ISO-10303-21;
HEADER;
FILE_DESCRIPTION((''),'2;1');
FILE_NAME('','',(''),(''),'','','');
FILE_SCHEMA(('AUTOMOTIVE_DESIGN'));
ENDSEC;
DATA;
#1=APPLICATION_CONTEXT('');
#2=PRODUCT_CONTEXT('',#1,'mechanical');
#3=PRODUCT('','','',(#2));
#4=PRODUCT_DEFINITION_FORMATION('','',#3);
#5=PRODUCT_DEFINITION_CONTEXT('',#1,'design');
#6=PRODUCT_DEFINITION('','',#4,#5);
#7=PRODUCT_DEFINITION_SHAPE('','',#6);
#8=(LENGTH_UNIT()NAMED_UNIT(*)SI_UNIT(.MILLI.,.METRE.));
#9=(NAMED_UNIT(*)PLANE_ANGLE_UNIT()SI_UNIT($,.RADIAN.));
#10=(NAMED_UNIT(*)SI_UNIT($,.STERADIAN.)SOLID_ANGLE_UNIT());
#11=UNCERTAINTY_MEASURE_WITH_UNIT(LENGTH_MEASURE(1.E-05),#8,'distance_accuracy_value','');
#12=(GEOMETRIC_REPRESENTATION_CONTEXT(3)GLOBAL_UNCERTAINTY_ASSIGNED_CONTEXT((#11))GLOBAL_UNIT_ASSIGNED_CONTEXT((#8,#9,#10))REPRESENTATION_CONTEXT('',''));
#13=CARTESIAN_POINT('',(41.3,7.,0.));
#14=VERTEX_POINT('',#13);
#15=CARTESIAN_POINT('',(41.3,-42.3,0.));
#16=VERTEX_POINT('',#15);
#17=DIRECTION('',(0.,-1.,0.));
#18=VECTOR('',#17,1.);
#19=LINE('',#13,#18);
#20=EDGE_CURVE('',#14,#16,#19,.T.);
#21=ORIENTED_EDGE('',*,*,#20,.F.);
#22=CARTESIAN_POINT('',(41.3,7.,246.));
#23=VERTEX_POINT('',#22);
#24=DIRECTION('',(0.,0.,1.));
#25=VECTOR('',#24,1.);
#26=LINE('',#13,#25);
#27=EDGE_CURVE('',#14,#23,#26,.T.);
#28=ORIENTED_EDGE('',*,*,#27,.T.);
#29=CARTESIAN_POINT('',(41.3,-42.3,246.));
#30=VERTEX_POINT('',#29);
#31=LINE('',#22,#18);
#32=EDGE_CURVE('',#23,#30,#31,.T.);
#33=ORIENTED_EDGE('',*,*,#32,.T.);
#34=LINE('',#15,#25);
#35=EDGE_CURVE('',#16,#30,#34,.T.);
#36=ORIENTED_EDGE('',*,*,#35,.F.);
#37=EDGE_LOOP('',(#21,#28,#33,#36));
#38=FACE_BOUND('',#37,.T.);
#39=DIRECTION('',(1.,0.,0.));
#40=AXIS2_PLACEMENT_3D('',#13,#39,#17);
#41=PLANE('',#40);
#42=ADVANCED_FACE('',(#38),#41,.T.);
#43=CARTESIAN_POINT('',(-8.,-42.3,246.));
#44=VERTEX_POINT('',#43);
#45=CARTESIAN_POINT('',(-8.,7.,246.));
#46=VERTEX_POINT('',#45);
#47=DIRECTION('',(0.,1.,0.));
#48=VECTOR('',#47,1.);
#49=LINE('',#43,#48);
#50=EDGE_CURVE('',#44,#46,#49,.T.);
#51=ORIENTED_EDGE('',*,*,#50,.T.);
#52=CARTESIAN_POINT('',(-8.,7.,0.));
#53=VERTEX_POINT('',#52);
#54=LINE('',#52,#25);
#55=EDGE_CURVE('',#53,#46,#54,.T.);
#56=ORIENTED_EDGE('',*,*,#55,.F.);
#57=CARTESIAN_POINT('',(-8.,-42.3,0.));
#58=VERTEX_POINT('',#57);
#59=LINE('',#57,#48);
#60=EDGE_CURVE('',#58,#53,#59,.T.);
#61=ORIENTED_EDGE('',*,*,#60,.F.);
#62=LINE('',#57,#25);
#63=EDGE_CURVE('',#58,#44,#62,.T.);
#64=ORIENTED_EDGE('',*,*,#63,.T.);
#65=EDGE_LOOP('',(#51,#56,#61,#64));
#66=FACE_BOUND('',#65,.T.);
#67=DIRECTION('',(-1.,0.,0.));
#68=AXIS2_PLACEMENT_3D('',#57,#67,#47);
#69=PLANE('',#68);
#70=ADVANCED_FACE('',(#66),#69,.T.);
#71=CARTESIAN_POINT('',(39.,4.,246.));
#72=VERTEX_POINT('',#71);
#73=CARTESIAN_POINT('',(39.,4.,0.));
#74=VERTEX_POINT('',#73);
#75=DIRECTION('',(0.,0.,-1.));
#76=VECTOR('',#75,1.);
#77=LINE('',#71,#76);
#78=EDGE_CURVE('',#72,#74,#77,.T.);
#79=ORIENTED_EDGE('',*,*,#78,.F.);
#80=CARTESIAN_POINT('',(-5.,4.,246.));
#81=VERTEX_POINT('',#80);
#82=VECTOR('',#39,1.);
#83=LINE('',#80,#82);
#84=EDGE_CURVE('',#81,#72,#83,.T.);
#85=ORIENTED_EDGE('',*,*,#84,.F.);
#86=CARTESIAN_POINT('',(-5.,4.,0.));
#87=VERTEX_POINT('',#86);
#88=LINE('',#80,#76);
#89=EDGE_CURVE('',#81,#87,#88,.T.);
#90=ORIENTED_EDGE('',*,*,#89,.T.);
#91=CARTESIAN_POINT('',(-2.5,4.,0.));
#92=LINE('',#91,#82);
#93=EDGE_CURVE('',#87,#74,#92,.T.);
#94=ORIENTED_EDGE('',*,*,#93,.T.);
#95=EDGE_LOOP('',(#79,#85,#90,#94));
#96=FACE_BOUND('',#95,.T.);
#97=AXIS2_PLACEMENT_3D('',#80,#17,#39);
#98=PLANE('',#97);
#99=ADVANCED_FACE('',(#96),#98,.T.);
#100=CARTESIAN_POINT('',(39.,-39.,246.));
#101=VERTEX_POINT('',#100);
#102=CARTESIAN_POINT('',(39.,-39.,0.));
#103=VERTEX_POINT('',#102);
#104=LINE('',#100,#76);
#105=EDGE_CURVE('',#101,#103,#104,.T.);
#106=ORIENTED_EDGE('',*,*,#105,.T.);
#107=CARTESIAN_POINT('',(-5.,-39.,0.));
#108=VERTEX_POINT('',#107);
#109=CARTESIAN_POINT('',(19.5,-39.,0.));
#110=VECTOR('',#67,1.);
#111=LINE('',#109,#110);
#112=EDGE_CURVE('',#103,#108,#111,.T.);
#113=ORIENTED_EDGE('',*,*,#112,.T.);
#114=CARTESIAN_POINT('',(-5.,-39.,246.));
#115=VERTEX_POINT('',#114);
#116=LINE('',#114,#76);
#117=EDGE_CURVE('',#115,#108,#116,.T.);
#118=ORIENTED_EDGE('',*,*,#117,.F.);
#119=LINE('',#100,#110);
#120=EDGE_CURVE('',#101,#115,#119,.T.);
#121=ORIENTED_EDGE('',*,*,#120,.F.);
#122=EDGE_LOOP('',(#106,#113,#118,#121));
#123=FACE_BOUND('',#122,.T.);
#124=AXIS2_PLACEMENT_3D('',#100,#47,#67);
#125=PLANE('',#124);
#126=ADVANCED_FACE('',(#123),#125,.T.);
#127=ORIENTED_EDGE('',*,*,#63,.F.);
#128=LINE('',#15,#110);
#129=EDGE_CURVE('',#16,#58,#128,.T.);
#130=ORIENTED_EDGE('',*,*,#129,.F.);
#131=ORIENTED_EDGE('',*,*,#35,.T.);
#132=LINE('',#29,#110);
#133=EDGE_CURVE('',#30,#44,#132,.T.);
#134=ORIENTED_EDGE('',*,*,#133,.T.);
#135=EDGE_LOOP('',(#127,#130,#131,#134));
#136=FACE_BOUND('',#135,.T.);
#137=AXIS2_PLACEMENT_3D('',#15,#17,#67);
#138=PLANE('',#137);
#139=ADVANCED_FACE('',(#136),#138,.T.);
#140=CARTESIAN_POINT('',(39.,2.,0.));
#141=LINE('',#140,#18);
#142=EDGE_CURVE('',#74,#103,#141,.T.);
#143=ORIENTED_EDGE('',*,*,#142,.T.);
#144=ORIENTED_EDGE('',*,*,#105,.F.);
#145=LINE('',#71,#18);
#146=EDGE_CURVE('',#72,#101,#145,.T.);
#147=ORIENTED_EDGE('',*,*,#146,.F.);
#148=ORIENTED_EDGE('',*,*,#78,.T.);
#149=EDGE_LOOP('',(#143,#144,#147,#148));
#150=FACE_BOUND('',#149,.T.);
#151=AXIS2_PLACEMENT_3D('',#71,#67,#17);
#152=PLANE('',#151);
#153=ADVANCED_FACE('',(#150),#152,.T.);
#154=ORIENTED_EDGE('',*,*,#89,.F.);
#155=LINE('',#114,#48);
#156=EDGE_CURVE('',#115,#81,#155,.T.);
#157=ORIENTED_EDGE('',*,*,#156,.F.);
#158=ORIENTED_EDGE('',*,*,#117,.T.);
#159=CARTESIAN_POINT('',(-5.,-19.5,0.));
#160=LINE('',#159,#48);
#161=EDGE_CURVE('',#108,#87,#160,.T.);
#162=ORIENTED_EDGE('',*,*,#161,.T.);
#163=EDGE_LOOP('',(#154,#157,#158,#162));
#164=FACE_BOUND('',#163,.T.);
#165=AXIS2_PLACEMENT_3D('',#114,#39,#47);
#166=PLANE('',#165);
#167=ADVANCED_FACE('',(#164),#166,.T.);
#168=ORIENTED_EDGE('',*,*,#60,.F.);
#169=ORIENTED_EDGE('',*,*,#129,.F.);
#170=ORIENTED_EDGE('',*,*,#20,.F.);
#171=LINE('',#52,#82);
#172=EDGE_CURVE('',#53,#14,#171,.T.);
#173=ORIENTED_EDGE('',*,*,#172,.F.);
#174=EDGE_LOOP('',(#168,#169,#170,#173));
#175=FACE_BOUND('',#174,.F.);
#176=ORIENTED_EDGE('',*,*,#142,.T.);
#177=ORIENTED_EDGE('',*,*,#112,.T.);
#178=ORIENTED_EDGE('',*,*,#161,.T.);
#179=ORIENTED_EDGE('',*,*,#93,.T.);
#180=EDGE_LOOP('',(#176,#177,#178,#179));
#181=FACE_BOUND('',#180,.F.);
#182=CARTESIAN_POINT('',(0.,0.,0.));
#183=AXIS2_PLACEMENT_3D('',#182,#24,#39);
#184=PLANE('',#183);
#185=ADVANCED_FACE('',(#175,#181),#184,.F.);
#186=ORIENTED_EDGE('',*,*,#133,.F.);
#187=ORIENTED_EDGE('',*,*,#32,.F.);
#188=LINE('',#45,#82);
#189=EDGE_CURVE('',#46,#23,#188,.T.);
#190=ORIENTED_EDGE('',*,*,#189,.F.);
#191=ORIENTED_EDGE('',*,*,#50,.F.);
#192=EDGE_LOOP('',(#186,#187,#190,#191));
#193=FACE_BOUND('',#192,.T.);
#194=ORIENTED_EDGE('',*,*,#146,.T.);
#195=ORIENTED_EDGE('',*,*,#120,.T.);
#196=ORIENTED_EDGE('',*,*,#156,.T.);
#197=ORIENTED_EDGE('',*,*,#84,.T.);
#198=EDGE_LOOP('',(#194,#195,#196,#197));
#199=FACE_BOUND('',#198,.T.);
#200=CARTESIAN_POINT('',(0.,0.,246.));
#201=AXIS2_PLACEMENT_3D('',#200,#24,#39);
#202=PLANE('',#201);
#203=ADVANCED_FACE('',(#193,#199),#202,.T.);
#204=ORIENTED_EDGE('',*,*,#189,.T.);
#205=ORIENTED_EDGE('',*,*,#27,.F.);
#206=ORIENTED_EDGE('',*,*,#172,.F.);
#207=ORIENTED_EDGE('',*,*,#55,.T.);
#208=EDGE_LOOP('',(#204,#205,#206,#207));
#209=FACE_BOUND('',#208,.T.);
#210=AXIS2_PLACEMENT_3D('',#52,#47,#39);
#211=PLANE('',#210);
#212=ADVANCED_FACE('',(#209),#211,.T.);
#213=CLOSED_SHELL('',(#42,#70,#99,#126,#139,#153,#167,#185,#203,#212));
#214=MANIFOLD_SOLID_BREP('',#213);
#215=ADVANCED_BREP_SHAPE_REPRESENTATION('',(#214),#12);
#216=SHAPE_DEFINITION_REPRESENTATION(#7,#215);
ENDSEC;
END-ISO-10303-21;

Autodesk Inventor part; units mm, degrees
ref_plane "YZ Plane" through (0, 0, 0) normal (1, 0, 0) x (0, 1, 0)
ref_plane "XZ Plane" through (0, 0, 0) normal (0, 1, 0) x (-1, 0, 0)
ref_plane "XY Plane" through (0, 0, 0) normal (0, 0, 1) x (1, 0, 0)
sketch "Sketch1" plane through (0, 0, 0) normal (0, 0, 1) x (1, 0, 0)
  line L0 (-8, 7) -> (41.3, 7)
  line L1 (41.3, 7) -> (41.3, -42.3)
  line L2 (41.3, -42.3) -> (-8, -42.3)
  line L3 (-8, -42.3) -> (-8, 7)
  point P0 (0, 0)
  dimension "d0" = 49.3
  dimension "d1" = 49.3
extrude "Extrusion1" add sketch "Sketch1" along normal blind 246
sketch "Sketch2" plane through (0, 0, 246) normal (0, 0, 1) x (1, 0, 0)
  line L0 (-5, 4) -> (39, 4)
  line L1 (39, 4) -> (39, -39)
  line L2 (39, -39) -> (-5, -39)
  line L3 (-5, -39) -> (-5, 4)
  point P0 (0, 0)
extrude "Extrusion2" cut sketch "Sketch2" against normal through all
properties part number "support"
